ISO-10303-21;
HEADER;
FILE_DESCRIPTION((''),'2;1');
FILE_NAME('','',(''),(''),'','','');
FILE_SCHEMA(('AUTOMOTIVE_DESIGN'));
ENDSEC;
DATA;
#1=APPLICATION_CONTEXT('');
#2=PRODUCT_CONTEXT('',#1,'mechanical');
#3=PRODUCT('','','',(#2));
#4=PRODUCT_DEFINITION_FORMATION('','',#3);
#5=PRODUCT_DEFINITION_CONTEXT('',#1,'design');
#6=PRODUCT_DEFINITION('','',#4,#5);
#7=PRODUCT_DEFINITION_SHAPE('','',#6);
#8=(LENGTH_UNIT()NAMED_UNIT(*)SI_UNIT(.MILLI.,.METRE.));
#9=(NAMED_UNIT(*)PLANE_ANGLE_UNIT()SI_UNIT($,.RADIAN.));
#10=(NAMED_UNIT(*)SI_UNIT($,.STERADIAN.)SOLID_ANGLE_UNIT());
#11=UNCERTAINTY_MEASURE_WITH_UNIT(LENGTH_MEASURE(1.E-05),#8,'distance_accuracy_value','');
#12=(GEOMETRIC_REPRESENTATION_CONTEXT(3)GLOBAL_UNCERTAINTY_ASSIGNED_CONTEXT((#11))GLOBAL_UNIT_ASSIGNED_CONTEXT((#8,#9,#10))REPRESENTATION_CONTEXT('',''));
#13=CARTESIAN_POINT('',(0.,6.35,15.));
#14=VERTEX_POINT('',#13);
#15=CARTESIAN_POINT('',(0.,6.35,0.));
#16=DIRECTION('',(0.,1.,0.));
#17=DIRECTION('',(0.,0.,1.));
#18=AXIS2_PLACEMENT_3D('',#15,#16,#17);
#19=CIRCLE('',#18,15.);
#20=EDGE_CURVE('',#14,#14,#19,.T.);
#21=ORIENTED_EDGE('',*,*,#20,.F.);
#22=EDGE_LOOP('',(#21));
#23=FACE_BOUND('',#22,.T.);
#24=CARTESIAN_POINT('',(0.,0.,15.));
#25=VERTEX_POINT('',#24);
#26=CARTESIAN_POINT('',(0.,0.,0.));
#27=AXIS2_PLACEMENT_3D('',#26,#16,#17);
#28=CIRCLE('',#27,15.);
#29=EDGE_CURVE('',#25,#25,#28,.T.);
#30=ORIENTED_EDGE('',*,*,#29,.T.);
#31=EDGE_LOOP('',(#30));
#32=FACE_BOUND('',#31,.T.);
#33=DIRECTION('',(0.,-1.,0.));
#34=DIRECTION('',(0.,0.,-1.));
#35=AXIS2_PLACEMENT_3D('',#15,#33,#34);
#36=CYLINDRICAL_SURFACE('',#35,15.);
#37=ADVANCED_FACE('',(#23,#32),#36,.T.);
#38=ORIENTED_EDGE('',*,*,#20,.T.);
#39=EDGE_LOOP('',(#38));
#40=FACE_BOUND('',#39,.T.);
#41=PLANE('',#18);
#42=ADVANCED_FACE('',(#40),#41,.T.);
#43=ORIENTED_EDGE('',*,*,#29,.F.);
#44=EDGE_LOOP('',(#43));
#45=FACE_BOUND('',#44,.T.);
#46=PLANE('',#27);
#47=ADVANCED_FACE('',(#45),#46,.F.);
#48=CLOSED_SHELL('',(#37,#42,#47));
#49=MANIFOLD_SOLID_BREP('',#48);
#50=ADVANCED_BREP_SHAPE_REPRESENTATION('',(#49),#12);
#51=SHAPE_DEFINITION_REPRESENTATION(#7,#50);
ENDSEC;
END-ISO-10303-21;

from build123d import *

# Parameters (mm, degrees)
ESQUISSE1_R        = 15
BOSS_EXTRU_1_DEPTH = 6.35


with BuildPart() as part:
    # Esquisse1 → Boss.-Extru.1 (new body)
    with BuildSketch(Plane(origin=(0, 0, 0), x_dir=(1, 0, 0), z_dir=(0, 1, 0))):
        with Locations(Location((0, 0, 0), (0, 0, 270))):
            Circle(ESQUISSE1_R)
    extrude(amount=BOSS_EXTRU_1_DEPTH)


solid = part.part
